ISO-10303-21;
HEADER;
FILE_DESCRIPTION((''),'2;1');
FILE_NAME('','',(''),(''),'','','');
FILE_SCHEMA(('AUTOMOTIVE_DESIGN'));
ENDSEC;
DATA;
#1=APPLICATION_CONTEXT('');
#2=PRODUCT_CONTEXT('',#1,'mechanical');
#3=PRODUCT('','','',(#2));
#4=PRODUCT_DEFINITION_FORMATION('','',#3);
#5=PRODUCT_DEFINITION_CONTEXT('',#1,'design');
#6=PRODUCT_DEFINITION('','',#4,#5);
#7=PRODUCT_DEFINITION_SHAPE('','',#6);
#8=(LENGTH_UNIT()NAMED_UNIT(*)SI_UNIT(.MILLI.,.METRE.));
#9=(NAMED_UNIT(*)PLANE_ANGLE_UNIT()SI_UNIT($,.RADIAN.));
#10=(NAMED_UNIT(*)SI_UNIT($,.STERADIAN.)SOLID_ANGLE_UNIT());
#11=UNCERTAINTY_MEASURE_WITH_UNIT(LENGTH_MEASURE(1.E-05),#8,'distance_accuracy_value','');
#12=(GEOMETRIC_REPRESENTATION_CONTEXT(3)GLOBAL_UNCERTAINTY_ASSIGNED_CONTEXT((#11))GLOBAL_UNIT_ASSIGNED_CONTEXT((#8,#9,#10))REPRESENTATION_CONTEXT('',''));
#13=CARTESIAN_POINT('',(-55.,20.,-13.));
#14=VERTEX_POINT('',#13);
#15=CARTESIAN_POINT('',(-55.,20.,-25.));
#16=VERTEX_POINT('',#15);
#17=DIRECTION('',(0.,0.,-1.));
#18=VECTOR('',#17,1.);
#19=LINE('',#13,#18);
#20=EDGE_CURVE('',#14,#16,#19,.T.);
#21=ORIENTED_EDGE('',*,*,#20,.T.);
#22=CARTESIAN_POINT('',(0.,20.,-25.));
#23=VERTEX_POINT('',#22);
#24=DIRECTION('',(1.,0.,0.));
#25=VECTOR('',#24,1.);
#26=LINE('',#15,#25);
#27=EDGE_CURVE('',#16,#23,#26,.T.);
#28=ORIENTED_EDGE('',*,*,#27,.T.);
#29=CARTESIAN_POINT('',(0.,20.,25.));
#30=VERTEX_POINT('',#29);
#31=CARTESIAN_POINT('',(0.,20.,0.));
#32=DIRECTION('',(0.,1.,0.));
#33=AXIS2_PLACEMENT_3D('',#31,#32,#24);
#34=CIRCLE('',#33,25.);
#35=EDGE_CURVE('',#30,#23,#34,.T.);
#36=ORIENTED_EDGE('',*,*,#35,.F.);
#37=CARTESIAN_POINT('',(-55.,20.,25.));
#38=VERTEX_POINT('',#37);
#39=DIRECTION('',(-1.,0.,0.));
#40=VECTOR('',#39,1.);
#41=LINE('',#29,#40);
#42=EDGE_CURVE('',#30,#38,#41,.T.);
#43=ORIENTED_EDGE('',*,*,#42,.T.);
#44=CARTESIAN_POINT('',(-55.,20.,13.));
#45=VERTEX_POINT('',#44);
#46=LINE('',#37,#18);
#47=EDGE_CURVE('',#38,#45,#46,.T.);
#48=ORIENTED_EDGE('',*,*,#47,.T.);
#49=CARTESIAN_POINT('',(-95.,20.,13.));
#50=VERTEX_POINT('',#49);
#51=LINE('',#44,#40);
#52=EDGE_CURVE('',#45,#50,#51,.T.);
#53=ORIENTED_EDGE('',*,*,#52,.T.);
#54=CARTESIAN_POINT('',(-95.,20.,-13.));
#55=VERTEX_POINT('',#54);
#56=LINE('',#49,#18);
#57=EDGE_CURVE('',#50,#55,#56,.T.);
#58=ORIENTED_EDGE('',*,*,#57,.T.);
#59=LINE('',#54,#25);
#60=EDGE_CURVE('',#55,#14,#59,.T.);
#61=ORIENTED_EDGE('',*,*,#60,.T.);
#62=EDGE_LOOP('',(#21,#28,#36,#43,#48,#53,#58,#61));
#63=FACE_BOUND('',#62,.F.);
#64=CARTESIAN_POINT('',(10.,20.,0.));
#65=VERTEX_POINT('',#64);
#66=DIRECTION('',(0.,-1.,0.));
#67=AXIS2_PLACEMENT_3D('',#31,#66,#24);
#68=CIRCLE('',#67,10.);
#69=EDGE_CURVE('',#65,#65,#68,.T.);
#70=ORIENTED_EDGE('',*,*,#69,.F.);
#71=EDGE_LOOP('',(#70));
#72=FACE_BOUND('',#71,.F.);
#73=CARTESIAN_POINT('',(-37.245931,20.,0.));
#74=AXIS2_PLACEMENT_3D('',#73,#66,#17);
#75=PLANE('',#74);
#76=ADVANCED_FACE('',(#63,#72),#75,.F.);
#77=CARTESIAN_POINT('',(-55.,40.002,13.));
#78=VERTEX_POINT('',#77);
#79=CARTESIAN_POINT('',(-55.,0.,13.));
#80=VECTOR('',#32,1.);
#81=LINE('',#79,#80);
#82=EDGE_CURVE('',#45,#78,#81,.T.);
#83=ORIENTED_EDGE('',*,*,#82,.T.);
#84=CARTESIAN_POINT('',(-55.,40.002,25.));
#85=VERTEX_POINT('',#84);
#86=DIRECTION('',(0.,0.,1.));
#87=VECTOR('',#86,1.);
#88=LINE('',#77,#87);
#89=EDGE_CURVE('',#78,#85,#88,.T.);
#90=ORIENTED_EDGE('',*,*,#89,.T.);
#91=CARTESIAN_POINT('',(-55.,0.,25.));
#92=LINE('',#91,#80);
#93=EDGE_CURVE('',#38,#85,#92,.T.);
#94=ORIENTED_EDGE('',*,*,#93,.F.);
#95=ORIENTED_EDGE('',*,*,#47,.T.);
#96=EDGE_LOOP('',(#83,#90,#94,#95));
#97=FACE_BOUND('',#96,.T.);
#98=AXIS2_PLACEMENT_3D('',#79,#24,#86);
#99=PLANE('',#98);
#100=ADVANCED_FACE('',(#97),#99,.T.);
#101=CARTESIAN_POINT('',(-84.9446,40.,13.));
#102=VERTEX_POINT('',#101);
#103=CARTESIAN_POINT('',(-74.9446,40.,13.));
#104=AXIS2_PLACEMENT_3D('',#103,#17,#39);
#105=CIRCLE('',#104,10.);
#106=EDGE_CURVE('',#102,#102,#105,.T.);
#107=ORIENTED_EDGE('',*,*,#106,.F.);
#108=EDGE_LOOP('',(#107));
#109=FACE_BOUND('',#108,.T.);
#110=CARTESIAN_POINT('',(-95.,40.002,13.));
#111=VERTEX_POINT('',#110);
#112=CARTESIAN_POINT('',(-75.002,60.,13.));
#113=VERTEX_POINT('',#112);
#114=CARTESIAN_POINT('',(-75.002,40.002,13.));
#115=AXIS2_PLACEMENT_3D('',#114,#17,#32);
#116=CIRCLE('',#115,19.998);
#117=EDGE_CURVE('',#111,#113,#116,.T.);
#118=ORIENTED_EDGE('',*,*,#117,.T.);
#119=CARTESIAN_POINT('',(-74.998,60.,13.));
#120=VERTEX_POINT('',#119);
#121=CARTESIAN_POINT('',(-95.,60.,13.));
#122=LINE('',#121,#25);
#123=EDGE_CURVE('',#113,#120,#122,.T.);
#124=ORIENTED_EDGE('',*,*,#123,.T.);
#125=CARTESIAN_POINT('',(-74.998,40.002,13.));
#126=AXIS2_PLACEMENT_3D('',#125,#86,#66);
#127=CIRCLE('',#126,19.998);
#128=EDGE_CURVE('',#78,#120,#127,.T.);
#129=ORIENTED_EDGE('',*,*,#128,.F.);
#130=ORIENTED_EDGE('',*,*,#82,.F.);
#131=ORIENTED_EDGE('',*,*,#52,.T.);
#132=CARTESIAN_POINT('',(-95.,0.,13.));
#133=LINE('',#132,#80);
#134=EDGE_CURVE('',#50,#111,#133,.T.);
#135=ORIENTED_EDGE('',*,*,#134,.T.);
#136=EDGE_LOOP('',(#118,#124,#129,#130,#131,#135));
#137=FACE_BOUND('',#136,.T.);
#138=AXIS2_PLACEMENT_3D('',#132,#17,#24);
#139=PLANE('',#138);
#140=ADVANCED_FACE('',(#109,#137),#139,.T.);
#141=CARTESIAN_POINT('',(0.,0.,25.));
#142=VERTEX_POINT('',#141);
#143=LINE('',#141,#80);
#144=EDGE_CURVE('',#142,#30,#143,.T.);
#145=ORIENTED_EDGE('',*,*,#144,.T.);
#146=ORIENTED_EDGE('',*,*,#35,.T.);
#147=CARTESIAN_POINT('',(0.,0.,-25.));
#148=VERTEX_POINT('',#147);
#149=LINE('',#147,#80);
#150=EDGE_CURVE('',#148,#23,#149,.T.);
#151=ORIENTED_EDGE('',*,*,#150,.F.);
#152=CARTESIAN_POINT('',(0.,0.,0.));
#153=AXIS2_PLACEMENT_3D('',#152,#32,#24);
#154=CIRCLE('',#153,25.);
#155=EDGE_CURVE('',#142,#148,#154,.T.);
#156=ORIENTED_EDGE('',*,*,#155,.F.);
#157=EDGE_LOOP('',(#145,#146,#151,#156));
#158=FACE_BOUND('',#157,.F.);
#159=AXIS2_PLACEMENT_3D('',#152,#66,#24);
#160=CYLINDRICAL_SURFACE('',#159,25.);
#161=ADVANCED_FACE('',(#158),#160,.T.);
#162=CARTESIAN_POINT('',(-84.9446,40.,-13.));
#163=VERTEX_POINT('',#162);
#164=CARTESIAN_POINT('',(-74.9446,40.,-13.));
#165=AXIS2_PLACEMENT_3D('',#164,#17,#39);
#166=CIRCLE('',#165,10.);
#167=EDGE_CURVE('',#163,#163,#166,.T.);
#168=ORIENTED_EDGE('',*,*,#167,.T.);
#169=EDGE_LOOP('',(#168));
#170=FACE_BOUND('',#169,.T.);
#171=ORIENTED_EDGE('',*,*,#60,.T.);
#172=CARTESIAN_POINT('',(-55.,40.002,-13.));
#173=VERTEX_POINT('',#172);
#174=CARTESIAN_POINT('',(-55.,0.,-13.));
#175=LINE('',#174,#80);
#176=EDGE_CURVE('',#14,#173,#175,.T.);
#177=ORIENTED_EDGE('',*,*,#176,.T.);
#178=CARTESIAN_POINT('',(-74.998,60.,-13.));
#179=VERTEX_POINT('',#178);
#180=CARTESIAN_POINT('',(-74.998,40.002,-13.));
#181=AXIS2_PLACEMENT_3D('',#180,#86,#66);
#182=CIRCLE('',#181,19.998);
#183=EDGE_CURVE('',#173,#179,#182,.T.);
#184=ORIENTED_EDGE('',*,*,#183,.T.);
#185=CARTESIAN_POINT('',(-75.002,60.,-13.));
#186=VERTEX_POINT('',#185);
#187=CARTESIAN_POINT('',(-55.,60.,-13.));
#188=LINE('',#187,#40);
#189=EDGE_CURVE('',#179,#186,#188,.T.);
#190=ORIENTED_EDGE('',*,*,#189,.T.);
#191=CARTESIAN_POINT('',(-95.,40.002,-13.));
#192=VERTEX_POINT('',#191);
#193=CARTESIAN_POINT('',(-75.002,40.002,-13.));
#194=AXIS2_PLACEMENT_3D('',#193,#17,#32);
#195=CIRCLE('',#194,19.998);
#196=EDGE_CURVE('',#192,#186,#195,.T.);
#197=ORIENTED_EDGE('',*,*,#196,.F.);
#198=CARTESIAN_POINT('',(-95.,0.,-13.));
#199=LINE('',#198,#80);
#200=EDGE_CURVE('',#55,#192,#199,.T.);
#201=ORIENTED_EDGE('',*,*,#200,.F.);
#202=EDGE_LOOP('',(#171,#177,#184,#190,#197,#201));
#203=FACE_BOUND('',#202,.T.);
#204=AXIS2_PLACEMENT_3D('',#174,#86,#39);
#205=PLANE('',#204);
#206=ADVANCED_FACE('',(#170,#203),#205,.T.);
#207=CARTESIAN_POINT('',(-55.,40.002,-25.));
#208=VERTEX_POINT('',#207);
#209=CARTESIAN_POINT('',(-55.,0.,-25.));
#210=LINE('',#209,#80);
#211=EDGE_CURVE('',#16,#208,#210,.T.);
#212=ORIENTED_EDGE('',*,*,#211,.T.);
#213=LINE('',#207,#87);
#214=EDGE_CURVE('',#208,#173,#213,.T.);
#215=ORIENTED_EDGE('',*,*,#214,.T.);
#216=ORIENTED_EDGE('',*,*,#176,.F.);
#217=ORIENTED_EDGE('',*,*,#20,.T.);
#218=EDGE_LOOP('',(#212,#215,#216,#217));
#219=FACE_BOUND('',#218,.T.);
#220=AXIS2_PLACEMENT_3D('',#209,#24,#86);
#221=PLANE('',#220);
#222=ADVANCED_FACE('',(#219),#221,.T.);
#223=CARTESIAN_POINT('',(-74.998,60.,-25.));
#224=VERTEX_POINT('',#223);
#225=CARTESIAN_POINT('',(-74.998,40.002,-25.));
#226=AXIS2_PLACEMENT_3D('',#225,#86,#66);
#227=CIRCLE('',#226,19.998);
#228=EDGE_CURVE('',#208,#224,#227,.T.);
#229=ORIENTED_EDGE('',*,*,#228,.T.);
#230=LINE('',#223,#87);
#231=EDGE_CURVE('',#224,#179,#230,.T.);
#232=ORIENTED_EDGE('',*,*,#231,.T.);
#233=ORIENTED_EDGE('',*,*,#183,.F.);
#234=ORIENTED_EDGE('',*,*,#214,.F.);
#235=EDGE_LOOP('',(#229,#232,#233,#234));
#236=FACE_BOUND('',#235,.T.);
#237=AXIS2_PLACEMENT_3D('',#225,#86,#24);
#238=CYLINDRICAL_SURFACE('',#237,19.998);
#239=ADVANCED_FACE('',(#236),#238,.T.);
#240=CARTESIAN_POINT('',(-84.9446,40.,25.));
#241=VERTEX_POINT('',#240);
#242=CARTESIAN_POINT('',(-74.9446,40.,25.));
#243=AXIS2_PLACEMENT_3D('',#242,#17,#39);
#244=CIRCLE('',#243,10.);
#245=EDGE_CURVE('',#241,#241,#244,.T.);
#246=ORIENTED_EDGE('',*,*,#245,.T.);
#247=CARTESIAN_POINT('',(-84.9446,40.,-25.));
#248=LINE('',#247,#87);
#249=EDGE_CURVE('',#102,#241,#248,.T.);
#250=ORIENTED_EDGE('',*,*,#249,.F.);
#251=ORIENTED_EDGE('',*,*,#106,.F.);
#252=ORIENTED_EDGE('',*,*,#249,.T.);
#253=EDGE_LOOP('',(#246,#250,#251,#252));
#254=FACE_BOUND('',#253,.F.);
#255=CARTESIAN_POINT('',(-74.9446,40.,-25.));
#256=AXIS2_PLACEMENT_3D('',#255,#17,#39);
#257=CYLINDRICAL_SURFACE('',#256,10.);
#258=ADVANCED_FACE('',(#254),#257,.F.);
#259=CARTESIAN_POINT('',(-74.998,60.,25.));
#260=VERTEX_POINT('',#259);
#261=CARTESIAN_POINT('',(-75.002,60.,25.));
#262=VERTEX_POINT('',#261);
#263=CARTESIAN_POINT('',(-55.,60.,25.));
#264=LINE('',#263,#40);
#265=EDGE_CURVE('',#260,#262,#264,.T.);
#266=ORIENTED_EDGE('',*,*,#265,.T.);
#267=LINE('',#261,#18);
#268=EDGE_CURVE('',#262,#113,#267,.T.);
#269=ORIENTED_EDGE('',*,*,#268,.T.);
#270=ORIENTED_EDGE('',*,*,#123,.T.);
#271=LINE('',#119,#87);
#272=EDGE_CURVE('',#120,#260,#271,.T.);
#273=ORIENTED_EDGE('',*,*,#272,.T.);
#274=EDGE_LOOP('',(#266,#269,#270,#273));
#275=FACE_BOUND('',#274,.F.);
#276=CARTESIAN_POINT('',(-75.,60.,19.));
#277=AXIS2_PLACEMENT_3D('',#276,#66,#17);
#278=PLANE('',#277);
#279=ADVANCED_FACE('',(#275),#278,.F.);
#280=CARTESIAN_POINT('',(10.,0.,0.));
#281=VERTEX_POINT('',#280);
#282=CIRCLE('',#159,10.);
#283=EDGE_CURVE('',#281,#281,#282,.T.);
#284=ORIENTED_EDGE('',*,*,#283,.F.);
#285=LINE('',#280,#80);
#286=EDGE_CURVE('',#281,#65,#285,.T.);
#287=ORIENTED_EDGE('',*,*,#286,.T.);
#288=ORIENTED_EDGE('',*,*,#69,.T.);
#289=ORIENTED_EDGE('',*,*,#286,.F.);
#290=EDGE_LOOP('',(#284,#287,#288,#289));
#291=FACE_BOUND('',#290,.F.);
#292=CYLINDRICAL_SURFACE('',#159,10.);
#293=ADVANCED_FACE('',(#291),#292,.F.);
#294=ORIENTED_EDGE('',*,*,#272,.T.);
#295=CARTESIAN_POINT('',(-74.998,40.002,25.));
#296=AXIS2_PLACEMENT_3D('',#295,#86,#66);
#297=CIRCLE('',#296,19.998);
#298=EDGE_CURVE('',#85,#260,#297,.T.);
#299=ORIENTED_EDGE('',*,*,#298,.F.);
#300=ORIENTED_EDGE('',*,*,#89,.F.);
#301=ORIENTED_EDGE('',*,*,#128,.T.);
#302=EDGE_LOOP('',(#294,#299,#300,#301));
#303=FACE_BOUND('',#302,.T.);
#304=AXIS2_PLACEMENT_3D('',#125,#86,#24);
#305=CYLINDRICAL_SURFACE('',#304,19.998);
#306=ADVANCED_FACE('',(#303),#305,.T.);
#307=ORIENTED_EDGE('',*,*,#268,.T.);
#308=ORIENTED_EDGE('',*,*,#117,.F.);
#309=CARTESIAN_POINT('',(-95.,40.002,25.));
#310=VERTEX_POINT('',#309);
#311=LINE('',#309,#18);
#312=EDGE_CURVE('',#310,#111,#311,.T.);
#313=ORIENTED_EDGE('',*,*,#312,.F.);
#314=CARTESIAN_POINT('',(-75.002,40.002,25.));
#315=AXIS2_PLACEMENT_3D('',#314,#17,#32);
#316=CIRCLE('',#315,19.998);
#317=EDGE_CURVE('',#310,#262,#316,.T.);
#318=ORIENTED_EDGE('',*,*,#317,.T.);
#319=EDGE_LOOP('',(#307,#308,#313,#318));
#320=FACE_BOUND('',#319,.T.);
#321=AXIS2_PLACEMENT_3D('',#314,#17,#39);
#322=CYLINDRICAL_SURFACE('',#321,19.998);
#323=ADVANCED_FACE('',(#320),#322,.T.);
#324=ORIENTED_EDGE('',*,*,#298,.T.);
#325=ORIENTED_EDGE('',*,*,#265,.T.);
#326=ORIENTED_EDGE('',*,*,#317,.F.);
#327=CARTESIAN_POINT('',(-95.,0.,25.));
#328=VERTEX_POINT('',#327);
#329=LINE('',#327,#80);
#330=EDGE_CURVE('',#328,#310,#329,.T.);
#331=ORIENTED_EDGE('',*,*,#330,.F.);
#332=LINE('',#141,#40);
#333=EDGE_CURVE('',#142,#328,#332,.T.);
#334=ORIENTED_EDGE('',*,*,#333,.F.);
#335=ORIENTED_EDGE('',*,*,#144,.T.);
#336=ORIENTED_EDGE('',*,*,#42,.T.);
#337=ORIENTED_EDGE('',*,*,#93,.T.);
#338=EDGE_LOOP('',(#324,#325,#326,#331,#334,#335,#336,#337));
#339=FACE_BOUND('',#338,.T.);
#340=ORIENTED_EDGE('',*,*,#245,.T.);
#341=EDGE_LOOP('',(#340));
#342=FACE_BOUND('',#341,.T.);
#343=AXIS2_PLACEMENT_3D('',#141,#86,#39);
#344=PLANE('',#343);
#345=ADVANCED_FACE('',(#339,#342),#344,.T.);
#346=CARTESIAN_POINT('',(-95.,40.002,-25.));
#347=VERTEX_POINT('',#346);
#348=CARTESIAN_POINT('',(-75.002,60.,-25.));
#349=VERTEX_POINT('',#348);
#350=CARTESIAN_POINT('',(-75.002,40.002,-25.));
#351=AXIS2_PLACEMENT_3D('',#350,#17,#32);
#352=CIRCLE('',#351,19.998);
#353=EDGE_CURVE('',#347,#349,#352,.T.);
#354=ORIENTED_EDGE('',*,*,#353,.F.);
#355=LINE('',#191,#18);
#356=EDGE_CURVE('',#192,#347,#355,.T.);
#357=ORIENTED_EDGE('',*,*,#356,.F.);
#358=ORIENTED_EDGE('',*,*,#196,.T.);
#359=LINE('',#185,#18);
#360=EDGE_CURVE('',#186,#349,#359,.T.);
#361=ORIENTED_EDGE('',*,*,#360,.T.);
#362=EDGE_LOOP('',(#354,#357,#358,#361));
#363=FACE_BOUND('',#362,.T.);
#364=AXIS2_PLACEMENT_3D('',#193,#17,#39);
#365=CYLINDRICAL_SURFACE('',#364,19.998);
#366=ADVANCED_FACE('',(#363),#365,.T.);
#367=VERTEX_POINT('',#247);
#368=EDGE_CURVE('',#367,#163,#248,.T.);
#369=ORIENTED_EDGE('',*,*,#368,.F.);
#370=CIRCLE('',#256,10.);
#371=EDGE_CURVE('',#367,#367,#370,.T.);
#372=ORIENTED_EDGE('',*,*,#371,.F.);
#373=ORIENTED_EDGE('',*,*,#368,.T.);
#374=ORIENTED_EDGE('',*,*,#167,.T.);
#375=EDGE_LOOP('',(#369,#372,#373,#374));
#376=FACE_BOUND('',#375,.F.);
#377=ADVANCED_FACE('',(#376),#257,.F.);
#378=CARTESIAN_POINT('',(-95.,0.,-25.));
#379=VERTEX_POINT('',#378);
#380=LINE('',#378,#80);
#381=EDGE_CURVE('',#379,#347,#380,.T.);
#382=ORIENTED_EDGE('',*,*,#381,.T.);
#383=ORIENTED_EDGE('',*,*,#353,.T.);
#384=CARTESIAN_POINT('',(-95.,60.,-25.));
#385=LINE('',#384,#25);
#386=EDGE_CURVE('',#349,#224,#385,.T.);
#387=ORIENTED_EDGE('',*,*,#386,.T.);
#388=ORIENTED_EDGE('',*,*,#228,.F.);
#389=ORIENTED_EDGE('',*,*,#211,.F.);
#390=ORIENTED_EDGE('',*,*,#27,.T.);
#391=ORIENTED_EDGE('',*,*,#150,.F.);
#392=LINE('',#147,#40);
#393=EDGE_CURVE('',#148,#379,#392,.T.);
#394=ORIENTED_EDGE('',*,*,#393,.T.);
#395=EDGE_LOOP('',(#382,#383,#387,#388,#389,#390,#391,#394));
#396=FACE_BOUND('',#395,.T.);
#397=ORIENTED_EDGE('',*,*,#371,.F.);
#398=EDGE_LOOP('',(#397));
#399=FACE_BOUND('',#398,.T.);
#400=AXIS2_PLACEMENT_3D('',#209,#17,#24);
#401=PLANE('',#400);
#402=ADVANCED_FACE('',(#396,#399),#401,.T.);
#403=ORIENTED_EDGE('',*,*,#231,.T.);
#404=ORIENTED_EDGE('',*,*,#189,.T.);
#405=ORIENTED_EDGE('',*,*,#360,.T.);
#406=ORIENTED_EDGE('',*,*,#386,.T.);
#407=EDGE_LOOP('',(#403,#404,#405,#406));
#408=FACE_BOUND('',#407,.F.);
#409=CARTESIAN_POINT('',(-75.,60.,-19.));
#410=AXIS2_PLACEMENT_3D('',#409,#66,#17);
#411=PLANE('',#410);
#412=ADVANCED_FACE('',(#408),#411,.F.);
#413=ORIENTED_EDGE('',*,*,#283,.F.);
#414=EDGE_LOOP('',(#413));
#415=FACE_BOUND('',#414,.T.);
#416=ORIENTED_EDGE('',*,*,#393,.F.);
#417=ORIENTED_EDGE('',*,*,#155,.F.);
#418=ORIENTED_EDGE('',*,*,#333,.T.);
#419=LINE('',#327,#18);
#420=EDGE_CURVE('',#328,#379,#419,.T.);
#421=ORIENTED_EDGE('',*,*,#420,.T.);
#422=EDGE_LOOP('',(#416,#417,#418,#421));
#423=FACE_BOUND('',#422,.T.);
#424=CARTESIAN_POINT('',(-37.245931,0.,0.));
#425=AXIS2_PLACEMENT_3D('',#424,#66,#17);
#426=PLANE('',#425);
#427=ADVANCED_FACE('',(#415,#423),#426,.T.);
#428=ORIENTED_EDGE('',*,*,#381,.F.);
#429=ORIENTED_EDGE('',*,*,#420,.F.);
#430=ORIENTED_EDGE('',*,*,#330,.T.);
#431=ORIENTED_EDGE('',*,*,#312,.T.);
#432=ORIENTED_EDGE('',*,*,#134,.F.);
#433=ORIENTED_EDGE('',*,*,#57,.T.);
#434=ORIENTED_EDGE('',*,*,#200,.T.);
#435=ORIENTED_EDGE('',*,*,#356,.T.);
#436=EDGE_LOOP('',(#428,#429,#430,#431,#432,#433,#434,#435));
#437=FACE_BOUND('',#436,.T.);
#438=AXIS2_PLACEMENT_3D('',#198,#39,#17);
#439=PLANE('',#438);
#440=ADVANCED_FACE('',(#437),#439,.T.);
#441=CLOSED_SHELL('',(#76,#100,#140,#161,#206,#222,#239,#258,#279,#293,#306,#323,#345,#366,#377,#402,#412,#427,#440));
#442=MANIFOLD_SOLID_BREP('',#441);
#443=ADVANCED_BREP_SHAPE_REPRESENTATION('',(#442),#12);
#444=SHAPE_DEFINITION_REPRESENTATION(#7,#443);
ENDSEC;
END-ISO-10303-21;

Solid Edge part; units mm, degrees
sketch "Sketch1" plane through (0, 0, 0) normal (0, -1, 0) x (1, 0, 0)
  line L0 (-55, -25) -> (0, -25)
  line L1 (-55, -13) -> (-55, -25)
  line L2 (-95, -13) -> (-55, -13)
  line L3 (-95, 13) -> (-95, -13)
  line L4 (-55, 13) -> (-95, 13)
  line L5 (-55, 25) -> (-55, 13)
  line L6 (0, 25) -> (-55, 25)
  arc A0 (0, 25) -> (0, -25) centre (0, 0) cw
  circle A1 centre (0, 0) radius 10
extrude "Protrusion1" add sketch "Sketch1" against normal blind 20
sketch "Sketch2" plane through (0, 0, 0) normal (0, -1, 0) x (1, 0, 0)
  line L0 (-95, -25) -> (-55, -25)
  line L1 (-55, -25) -> (-55, -13)
  line L2 (-55, -13) -> (-95, -13)
  line L3 (-95, -13) -> (-95, -25)
  line L4 (-95, 13) -> (-55, 13)
  line L5 (-55, 13) -> (-55, 25)
  line L6 (-55, 25) -> (-95, 25)
  line L7 (-95, 25) -> (-95, 13)
extrude "ExtrudedProtrusion_5" add sketch "Sketch2" against normal blind 60
fillet "Round_2" radius 20 4 edges at (-55, 60, -19) (-95, 60, -19) (-55, 60, 19) (-95, 60, 19)
sketch "Sketch3" plane through (-47.5, 30, -25) normal (0, 0, -1) x (-1, 0, 0)
  circle A0 centre (27.4446, 10) radius 10
extrude "ExtrudedCutout_1" cut sketch "Sketch3" against normal blind 50
